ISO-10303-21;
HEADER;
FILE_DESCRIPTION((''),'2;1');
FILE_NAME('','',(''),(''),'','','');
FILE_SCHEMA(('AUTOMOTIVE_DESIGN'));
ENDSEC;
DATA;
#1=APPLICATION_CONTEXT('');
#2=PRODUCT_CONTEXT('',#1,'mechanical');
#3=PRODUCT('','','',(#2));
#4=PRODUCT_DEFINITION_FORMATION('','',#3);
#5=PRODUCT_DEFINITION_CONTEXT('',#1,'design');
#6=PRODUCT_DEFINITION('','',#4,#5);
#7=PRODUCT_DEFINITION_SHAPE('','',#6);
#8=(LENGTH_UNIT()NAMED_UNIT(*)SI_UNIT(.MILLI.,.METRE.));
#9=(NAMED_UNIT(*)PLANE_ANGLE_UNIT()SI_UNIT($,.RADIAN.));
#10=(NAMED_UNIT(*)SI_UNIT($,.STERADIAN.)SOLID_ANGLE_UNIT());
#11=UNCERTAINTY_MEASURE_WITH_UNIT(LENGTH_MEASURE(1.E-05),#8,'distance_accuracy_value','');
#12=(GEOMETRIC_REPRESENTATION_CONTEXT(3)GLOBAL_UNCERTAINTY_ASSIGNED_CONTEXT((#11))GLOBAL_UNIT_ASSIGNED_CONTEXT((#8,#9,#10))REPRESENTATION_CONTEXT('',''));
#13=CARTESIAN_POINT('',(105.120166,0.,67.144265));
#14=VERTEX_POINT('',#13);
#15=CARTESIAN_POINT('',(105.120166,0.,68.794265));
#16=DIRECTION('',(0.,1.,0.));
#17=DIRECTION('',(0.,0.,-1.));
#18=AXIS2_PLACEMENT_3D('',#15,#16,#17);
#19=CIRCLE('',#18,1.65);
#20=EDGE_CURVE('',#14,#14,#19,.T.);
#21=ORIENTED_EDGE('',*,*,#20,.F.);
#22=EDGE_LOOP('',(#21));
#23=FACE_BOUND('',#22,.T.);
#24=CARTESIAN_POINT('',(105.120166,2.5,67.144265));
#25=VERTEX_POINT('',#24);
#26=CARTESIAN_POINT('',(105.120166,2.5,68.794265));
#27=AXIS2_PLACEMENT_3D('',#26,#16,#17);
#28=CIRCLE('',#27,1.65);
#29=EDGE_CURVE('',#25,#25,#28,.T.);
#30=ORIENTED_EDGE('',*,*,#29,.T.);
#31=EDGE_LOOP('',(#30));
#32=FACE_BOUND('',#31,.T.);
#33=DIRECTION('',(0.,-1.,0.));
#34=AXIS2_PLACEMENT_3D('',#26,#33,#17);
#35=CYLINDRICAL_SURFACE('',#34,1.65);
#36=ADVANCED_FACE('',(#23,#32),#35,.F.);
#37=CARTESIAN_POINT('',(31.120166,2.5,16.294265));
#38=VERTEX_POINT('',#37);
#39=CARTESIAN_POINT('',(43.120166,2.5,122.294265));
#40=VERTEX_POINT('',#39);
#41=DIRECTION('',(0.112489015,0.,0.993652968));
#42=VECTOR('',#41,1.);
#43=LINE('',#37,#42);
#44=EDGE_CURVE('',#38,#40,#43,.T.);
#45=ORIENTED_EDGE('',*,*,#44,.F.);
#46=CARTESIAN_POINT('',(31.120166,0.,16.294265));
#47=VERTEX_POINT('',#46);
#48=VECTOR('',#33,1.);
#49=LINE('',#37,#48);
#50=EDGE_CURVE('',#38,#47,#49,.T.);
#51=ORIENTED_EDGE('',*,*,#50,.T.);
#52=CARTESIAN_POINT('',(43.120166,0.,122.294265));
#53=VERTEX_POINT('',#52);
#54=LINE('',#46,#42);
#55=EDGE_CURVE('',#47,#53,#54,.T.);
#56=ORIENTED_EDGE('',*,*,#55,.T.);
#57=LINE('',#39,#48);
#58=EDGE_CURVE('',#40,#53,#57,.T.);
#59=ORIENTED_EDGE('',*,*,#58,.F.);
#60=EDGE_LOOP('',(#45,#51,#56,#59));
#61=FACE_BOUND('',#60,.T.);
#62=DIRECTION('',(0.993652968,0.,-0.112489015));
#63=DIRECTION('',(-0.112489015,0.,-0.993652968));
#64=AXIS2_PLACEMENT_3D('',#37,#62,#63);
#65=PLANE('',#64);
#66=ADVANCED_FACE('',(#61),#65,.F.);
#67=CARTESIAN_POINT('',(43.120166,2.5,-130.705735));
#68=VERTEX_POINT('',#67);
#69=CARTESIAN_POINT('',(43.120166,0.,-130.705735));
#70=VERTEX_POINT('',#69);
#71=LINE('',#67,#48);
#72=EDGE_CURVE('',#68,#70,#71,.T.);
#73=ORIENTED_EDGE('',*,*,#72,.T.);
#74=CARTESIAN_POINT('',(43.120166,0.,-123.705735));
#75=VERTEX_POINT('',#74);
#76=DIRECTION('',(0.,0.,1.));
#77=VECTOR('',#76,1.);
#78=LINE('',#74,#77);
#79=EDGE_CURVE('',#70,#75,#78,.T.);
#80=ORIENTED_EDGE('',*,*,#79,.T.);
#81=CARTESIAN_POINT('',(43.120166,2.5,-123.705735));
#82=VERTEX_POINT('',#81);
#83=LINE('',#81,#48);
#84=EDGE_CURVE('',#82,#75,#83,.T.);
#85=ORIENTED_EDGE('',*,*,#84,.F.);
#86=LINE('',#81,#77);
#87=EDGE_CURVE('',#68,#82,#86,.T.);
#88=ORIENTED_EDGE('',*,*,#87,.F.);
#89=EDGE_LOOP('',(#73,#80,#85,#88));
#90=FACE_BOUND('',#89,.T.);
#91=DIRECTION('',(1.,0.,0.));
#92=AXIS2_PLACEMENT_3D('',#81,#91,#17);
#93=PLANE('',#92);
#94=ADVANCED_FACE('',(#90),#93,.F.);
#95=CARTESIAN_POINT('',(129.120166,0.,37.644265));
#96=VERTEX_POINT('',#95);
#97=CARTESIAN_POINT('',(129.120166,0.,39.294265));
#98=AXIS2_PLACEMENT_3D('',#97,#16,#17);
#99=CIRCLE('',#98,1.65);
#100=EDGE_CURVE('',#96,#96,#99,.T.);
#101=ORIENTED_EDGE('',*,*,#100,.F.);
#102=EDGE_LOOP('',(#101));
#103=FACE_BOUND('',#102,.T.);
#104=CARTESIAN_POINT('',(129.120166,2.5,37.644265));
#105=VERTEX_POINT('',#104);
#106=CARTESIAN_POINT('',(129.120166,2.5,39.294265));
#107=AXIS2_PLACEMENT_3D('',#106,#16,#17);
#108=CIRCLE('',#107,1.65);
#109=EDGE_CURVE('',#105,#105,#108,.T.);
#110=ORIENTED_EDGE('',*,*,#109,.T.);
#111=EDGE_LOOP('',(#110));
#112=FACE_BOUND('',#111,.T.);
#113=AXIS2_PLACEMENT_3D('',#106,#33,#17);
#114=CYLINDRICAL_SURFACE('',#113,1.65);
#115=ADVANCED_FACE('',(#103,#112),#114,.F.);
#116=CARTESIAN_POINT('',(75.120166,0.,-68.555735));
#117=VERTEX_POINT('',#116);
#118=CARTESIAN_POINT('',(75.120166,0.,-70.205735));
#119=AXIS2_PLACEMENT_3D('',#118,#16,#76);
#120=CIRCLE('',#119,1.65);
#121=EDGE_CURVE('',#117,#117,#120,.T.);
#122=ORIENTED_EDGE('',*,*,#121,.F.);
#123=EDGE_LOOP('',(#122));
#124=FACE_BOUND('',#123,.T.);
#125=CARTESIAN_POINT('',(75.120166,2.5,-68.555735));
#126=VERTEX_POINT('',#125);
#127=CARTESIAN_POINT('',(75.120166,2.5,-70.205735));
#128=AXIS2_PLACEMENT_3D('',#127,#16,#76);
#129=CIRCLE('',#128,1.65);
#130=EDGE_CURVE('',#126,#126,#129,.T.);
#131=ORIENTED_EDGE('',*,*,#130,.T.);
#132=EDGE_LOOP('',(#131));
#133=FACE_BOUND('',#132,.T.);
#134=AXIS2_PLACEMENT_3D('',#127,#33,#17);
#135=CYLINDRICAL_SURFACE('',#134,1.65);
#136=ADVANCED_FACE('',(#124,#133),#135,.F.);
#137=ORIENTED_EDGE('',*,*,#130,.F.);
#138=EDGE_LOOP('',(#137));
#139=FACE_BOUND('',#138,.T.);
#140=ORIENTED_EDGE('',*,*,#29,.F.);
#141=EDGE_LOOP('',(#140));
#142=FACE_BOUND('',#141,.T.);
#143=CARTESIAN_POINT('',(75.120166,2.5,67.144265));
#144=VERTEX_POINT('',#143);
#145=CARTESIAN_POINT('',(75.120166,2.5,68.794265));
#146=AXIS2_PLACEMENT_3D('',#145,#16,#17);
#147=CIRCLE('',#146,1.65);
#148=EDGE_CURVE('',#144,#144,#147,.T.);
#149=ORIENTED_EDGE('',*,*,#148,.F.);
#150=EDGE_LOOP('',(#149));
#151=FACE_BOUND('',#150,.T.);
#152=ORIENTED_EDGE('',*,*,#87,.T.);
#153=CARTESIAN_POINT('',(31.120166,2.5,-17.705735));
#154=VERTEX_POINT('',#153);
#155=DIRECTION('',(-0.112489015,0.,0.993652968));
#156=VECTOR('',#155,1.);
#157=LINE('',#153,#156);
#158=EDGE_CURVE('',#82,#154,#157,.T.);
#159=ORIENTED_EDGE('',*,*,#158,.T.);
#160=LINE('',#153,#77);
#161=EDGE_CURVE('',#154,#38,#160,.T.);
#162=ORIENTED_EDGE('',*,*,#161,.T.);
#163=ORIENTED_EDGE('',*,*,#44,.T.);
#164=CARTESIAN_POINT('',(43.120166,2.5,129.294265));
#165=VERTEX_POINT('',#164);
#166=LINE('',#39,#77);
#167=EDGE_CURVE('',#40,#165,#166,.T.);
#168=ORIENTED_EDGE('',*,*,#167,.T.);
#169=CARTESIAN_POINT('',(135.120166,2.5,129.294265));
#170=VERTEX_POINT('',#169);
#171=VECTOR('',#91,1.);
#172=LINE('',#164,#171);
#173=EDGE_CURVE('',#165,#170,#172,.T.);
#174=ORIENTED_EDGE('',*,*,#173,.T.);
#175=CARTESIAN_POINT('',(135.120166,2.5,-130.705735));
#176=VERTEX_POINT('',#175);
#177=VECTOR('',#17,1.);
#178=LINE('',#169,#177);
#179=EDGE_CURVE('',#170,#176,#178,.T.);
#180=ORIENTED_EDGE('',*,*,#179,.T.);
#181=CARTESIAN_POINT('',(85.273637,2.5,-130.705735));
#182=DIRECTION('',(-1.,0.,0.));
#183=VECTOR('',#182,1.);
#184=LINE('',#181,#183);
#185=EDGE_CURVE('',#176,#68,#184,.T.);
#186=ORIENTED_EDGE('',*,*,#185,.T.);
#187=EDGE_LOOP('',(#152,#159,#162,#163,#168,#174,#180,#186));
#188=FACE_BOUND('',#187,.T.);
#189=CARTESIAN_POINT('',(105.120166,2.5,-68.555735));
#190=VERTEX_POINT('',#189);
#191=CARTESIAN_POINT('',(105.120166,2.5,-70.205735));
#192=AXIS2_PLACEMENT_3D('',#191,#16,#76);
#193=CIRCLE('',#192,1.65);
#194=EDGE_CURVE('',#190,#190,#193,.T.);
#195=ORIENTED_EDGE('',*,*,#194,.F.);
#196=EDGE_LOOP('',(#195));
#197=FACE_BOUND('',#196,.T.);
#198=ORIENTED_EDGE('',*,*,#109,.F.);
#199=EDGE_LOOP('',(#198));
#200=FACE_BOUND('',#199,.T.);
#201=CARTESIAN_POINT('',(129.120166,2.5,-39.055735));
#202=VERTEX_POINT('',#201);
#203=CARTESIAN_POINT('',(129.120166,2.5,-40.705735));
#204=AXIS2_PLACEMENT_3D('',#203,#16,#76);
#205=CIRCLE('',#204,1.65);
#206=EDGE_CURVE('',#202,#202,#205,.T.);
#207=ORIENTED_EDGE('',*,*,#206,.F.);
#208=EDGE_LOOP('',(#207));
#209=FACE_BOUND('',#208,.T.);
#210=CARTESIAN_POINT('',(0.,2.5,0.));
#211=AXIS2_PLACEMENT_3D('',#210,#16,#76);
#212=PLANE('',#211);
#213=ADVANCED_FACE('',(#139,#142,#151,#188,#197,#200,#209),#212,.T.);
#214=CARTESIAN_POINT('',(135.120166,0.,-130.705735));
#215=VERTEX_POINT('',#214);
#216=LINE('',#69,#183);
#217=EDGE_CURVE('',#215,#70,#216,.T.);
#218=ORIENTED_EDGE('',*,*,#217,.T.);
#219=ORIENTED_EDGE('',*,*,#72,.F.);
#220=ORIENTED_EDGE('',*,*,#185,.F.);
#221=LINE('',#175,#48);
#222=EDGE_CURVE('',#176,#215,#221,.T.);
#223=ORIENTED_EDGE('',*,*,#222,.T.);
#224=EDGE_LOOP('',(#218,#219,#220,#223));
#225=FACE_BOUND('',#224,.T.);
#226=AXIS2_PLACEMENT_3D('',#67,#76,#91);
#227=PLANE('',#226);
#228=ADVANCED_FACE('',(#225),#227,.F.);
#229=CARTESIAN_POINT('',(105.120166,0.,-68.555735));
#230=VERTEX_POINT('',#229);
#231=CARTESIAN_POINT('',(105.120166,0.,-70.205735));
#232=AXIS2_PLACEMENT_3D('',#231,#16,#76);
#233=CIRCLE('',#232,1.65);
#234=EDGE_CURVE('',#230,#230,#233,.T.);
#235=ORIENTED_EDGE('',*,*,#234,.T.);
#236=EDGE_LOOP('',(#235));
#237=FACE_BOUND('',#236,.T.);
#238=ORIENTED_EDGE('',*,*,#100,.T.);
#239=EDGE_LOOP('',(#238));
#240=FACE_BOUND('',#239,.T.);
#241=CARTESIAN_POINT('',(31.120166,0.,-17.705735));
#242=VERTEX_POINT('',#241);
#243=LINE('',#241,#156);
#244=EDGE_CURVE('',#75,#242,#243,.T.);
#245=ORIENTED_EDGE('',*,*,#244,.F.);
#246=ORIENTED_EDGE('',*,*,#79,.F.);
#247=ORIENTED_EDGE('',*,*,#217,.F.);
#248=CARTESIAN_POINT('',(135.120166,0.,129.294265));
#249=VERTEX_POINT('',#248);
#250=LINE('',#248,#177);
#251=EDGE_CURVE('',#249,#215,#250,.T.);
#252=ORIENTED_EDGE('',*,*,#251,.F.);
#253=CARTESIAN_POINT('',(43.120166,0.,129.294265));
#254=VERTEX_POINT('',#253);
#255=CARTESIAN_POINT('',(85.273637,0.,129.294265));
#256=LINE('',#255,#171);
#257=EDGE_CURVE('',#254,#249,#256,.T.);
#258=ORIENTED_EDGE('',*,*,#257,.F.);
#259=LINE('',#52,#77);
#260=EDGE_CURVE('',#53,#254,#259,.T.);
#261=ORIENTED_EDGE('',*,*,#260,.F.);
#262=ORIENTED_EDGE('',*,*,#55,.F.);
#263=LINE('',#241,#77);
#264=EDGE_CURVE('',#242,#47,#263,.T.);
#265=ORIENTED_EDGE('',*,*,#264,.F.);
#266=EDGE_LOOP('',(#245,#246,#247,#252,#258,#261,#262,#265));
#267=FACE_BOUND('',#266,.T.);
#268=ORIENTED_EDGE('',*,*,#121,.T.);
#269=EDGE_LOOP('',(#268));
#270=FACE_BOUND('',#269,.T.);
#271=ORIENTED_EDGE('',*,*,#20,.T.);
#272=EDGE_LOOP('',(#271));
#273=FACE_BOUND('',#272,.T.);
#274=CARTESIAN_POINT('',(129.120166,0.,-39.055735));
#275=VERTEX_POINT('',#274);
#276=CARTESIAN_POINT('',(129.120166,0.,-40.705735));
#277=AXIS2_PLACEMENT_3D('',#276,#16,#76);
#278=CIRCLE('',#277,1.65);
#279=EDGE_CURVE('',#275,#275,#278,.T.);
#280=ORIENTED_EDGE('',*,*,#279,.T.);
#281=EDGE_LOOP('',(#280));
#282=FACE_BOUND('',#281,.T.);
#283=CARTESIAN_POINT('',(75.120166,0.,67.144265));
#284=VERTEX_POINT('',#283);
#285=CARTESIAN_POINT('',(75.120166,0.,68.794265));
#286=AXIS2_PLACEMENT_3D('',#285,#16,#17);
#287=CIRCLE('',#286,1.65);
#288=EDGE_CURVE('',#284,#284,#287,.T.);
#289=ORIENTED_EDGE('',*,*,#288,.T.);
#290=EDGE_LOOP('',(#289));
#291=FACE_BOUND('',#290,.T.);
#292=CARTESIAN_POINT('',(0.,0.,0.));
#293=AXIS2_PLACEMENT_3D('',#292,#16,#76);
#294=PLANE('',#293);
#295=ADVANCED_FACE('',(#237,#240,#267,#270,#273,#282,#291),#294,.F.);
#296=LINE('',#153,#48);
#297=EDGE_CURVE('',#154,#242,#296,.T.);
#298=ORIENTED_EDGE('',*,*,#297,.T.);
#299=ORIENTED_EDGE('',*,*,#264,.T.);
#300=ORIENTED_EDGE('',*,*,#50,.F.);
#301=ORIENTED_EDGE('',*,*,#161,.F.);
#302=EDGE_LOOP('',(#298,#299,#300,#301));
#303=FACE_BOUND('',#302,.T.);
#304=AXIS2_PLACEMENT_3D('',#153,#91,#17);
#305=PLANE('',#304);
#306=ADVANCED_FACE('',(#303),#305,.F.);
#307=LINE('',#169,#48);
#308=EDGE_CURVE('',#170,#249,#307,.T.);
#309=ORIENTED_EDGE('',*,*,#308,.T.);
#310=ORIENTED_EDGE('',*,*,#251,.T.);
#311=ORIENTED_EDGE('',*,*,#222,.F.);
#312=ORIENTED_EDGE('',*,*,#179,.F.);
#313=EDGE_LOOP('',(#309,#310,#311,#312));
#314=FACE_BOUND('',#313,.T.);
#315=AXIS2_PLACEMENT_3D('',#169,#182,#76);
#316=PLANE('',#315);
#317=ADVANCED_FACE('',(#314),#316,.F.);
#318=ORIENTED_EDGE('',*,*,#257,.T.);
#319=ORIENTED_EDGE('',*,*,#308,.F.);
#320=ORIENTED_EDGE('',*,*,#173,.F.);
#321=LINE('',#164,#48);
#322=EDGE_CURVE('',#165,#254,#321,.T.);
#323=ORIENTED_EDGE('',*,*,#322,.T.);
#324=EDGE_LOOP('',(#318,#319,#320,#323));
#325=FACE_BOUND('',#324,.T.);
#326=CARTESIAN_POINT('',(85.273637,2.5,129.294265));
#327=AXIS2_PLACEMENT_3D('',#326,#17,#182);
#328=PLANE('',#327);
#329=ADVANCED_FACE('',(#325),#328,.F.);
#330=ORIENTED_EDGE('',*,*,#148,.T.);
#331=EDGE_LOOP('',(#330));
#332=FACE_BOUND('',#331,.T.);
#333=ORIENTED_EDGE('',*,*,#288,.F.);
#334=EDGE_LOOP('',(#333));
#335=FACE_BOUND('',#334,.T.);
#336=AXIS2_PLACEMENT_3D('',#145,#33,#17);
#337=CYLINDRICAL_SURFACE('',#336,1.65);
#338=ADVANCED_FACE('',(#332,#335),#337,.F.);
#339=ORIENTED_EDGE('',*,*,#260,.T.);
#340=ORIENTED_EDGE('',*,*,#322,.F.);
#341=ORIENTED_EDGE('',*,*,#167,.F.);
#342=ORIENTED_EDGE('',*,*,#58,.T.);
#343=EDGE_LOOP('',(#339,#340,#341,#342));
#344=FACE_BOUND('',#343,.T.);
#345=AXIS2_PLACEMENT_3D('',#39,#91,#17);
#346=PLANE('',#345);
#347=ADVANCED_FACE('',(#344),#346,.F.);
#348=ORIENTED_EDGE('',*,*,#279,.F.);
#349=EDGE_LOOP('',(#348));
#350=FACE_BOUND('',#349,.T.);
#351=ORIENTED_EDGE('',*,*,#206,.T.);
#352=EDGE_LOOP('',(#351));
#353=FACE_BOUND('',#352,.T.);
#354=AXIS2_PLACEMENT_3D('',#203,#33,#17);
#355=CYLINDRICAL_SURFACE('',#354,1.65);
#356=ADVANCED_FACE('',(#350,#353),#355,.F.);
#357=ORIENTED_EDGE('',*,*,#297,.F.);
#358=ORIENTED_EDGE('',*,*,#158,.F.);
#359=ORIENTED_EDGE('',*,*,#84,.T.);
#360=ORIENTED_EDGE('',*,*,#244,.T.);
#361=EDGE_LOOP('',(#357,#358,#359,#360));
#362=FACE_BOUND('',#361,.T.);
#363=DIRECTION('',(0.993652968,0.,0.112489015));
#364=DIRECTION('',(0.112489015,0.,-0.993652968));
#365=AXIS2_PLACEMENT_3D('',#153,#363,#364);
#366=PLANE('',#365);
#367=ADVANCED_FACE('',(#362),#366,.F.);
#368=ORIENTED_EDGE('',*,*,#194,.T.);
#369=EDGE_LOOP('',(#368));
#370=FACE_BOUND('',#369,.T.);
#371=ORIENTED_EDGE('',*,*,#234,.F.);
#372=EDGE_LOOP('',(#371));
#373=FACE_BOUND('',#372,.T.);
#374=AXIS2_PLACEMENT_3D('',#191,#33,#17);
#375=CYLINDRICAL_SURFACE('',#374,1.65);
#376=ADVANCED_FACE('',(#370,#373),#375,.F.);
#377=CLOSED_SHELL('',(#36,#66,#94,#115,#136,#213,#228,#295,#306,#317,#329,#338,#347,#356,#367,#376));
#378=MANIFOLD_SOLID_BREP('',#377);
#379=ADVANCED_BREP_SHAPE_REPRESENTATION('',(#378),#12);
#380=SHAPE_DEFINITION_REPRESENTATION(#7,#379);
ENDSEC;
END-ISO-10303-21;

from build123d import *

# Parameters (mm, degrees)
SKETCH_1_R      = 1.65
EXTRUDE_1_DEPTH = 2.5


with BuildPart() as part:
    # 草图1 → 凸台-拉伸1 (new body)
    with BuildSketch(Plane(origin=(0, 0, 0), x_dir=(1, 0, 0), z_dir=(0, 1, 0))):
        Polygon((85.273637, -129.294264731), (135.120165849, -129.294264731), (135.120165849, 130.705735269), (85.273637, 130.705735269), (43.120165849, 130.705735269), (43.120165849, 123.705735269), (31.120165849, 17.705735269), (31.120165849, -16.294264731), (43.120165849, -122.294264731), (43.120165849, -129.294264731), align=None)
        with Locations(Location((105.120165849, 70.205735269, 0), (0, 0, 270))):
            Circle(SKETCH_1_R, mode=Mode.SUBTRACT)
        with Locations(Location((75.120165849, 70.205735269, 0), (0, 0, 270))):
            Circle(SKETCH_1_R, mode=Mode.SUBTRACT)
        with Locations(Location((75.120165849, -68.794264731, 0), (0, 0, 90))):
            Circle(SKETCH_1_R, mode=Mode.SUBTRACT)
        with Locations(Location((105.120165849, -68.794264731, 0), (0, 0, 90))):
            Circle(SKETCH_1_R, mode=Mode.SUBTRACT)
        with Locations(Location((129.120165849, 40.705735269, 0), (0, 0, 270))):
            Circle(SKETCH_1_R, mode=Mode.SUBTRACT)
        with Locations(Location((129.120165849, -39.294264731, 0), (0, 0, 90))):
            Circle(SKETCH_1_R, mode=Mode.SUBTRACT)
    extrude(amount=EXTRUDE_1_DEPTH)


solid = part.part
